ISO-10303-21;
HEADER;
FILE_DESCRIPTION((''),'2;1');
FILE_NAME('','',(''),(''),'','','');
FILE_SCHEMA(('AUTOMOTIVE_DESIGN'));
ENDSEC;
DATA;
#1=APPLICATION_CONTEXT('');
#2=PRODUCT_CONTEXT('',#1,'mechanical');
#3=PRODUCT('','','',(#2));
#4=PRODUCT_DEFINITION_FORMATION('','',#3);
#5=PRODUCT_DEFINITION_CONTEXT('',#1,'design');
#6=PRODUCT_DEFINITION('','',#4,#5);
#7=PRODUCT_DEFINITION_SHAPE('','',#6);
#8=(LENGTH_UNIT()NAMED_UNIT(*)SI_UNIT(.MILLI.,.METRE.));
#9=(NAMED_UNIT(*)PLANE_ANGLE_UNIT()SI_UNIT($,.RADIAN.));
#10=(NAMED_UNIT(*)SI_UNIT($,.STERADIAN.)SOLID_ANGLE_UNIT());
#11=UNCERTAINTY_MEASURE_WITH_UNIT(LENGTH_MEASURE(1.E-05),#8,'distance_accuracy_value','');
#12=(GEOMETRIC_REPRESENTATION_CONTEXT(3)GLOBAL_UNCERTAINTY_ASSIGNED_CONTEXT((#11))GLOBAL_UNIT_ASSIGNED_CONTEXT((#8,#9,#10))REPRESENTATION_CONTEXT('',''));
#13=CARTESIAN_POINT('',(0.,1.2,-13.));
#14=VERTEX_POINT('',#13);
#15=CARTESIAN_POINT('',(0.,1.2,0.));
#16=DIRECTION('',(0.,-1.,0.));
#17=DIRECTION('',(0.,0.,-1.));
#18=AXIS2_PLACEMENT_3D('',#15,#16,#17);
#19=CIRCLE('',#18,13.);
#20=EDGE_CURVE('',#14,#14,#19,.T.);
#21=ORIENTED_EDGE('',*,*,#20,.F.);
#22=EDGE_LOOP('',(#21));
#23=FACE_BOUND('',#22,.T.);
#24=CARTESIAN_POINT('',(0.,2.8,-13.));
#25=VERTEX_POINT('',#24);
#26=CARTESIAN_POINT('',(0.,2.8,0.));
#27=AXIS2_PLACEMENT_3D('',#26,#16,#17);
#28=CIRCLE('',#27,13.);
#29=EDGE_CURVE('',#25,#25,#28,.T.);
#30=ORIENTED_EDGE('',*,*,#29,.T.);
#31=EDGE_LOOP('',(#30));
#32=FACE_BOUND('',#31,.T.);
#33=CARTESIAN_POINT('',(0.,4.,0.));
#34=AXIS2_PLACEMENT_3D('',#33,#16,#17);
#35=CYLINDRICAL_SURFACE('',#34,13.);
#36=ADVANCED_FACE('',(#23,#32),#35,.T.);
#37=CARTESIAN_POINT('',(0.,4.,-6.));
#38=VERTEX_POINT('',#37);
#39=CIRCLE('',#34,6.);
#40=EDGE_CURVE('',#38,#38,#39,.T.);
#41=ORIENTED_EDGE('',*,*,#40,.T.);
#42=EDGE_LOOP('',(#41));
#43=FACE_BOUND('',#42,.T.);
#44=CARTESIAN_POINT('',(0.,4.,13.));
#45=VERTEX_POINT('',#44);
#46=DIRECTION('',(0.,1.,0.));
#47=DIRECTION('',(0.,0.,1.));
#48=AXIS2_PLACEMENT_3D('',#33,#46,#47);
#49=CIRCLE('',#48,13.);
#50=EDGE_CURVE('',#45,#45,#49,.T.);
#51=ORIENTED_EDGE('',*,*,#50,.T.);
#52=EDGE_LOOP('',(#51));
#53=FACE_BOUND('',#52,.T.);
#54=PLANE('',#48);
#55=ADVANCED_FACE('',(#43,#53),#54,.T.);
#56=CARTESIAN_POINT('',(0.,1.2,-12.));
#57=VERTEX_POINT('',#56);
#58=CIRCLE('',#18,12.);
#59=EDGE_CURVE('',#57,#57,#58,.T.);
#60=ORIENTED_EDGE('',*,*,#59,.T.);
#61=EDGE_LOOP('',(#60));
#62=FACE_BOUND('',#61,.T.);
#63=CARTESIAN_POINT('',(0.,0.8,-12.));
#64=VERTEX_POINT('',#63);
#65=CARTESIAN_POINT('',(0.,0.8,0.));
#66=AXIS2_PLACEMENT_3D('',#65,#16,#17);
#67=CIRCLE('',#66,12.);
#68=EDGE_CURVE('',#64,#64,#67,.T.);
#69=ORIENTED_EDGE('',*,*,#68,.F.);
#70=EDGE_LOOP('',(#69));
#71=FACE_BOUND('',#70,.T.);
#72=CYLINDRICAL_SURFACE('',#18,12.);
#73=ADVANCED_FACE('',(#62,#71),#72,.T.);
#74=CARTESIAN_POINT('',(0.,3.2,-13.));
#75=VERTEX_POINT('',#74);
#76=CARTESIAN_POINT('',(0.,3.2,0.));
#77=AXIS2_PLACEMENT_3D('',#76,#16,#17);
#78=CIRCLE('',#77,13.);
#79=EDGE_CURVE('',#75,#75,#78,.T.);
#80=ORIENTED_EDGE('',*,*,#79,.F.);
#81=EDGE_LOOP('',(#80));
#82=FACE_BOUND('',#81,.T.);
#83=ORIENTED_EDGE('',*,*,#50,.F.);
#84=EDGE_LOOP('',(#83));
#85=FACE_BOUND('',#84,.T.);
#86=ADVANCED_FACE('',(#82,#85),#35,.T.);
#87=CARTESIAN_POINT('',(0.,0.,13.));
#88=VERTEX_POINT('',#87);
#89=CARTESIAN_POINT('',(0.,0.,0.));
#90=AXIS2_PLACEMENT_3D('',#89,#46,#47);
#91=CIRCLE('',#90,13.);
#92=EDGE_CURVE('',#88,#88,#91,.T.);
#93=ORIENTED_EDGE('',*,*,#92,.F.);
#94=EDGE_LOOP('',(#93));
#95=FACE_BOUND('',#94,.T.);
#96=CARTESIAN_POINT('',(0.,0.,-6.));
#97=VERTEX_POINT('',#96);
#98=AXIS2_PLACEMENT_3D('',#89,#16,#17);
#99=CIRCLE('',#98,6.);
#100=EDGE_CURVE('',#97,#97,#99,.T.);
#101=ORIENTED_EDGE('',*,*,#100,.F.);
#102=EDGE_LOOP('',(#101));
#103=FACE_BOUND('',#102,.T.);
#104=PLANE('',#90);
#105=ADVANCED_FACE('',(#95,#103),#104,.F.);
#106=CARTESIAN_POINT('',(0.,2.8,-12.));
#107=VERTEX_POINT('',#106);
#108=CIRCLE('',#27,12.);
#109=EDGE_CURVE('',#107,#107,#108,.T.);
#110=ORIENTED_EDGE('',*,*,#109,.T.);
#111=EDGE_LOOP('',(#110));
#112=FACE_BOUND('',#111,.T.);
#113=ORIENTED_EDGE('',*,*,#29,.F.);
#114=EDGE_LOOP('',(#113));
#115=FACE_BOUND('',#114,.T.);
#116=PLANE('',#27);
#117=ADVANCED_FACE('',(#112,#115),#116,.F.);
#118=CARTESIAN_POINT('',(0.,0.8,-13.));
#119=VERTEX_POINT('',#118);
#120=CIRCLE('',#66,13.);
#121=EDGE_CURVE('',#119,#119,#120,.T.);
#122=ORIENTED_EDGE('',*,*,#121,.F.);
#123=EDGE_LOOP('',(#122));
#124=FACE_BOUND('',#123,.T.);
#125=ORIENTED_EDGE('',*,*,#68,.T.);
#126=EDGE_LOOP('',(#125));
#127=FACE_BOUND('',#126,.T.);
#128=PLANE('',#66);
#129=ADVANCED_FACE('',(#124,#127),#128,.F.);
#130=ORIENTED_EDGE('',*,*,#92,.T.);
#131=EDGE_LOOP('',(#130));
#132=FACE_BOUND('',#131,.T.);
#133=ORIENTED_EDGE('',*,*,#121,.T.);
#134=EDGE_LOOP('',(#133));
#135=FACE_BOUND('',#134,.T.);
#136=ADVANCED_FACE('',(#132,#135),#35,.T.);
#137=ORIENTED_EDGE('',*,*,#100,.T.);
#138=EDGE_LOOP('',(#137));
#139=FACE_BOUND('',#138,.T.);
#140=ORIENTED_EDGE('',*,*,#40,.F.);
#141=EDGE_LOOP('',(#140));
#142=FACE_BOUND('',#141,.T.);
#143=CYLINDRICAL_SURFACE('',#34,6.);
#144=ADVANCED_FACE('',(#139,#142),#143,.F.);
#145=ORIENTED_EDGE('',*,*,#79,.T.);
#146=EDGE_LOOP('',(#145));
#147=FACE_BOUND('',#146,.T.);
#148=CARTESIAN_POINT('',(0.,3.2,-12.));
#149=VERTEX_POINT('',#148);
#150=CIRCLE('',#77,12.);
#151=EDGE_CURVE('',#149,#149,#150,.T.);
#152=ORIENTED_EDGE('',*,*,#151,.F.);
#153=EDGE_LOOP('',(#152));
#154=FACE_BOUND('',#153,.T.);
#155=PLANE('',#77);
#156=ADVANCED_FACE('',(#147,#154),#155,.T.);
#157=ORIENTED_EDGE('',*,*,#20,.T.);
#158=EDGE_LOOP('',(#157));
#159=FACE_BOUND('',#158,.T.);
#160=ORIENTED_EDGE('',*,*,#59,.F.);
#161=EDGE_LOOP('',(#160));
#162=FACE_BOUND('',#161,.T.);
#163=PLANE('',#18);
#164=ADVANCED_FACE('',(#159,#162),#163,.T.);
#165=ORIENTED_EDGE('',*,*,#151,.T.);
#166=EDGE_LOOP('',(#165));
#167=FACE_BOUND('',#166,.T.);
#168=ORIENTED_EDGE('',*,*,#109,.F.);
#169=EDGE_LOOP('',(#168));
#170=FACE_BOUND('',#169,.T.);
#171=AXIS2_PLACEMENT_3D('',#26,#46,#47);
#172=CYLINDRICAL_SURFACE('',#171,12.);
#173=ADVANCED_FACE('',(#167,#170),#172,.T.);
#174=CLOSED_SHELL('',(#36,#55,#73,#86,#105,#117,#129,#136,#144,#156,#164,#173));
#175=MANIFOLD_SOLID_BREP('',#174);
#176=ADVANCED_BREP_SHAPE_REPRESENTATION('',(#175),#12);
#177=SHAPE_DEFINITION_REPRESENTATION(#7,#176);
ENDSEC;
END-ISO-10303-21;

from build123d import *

# Parameters (mm, degrees)
SKETCH_1_R          = 13
EXTRUDE_1_DEPTH     = 4
SKETCH_2_R          = 6
CUT_EXTRUDE_1_DEPTH = 4
CUT_EXTRUDE_START   = -0.8
SKETCH_3_R          = 13
SKETCH_3_R_2        = 12
CUT_EXTRUDE_2_DEPTH = 0.4
CUT_EXTRUDE_START_2 = -2.8
SKETCH_3_3_R        = 13
SKETCH_3_3_R_2      = 12
CUT_EXTRUDE_3_DEPTH = 0.4


with BuildPart() as part:
    # 草图1 → 凸台-拉伸1 (new body)
    with BuildSketch(Plane(origin=(0, 0, 0), x_dir=(1, 0, 0), z_dir=(0, 1, 0))):
        Circle(SKETCH_1_R)
    extrude(amount=EXTRUDE_1_DEPTH)

    # 草图2 → 切除-拉伸1 (cut)
    with BuildSketch(Plane.XZ):
        Circle(SKETCH_2_R)
    extrude(amount=-CUT_EXTRUDE_1_DEPTH, mode=Mode.SUBTRACT)

    # 草图3 → 切除-拉伸2 (cut)
    with BuildSketch(Plane.XZ.offset(CUT_EXTRUDE_START)):
        Circle(SKETCH_3_R)
        Circle(SKETCH_3_R_2, mode=Mode.SUBTRACT)
    extrude(amount=-CUT_EXTRUDE_2_DEPTH, mode=Mode.SUBTRACT)

    # 草图3<3> → 切除-拉伸3 (cut)
    with BuildSketch(Plane.XZ.offset(CUT_EXTRUDE_START_2)):
        Circle(SKETCH_3_3_R)
        Circle(SKETCH_3_3_R_2, mode=Mode.SUBTRACT)
    extrude(amount=-CUT_EXTRUDE_3_DEPTH, mode=Mode.SUBTRACT)


solid = part.part
